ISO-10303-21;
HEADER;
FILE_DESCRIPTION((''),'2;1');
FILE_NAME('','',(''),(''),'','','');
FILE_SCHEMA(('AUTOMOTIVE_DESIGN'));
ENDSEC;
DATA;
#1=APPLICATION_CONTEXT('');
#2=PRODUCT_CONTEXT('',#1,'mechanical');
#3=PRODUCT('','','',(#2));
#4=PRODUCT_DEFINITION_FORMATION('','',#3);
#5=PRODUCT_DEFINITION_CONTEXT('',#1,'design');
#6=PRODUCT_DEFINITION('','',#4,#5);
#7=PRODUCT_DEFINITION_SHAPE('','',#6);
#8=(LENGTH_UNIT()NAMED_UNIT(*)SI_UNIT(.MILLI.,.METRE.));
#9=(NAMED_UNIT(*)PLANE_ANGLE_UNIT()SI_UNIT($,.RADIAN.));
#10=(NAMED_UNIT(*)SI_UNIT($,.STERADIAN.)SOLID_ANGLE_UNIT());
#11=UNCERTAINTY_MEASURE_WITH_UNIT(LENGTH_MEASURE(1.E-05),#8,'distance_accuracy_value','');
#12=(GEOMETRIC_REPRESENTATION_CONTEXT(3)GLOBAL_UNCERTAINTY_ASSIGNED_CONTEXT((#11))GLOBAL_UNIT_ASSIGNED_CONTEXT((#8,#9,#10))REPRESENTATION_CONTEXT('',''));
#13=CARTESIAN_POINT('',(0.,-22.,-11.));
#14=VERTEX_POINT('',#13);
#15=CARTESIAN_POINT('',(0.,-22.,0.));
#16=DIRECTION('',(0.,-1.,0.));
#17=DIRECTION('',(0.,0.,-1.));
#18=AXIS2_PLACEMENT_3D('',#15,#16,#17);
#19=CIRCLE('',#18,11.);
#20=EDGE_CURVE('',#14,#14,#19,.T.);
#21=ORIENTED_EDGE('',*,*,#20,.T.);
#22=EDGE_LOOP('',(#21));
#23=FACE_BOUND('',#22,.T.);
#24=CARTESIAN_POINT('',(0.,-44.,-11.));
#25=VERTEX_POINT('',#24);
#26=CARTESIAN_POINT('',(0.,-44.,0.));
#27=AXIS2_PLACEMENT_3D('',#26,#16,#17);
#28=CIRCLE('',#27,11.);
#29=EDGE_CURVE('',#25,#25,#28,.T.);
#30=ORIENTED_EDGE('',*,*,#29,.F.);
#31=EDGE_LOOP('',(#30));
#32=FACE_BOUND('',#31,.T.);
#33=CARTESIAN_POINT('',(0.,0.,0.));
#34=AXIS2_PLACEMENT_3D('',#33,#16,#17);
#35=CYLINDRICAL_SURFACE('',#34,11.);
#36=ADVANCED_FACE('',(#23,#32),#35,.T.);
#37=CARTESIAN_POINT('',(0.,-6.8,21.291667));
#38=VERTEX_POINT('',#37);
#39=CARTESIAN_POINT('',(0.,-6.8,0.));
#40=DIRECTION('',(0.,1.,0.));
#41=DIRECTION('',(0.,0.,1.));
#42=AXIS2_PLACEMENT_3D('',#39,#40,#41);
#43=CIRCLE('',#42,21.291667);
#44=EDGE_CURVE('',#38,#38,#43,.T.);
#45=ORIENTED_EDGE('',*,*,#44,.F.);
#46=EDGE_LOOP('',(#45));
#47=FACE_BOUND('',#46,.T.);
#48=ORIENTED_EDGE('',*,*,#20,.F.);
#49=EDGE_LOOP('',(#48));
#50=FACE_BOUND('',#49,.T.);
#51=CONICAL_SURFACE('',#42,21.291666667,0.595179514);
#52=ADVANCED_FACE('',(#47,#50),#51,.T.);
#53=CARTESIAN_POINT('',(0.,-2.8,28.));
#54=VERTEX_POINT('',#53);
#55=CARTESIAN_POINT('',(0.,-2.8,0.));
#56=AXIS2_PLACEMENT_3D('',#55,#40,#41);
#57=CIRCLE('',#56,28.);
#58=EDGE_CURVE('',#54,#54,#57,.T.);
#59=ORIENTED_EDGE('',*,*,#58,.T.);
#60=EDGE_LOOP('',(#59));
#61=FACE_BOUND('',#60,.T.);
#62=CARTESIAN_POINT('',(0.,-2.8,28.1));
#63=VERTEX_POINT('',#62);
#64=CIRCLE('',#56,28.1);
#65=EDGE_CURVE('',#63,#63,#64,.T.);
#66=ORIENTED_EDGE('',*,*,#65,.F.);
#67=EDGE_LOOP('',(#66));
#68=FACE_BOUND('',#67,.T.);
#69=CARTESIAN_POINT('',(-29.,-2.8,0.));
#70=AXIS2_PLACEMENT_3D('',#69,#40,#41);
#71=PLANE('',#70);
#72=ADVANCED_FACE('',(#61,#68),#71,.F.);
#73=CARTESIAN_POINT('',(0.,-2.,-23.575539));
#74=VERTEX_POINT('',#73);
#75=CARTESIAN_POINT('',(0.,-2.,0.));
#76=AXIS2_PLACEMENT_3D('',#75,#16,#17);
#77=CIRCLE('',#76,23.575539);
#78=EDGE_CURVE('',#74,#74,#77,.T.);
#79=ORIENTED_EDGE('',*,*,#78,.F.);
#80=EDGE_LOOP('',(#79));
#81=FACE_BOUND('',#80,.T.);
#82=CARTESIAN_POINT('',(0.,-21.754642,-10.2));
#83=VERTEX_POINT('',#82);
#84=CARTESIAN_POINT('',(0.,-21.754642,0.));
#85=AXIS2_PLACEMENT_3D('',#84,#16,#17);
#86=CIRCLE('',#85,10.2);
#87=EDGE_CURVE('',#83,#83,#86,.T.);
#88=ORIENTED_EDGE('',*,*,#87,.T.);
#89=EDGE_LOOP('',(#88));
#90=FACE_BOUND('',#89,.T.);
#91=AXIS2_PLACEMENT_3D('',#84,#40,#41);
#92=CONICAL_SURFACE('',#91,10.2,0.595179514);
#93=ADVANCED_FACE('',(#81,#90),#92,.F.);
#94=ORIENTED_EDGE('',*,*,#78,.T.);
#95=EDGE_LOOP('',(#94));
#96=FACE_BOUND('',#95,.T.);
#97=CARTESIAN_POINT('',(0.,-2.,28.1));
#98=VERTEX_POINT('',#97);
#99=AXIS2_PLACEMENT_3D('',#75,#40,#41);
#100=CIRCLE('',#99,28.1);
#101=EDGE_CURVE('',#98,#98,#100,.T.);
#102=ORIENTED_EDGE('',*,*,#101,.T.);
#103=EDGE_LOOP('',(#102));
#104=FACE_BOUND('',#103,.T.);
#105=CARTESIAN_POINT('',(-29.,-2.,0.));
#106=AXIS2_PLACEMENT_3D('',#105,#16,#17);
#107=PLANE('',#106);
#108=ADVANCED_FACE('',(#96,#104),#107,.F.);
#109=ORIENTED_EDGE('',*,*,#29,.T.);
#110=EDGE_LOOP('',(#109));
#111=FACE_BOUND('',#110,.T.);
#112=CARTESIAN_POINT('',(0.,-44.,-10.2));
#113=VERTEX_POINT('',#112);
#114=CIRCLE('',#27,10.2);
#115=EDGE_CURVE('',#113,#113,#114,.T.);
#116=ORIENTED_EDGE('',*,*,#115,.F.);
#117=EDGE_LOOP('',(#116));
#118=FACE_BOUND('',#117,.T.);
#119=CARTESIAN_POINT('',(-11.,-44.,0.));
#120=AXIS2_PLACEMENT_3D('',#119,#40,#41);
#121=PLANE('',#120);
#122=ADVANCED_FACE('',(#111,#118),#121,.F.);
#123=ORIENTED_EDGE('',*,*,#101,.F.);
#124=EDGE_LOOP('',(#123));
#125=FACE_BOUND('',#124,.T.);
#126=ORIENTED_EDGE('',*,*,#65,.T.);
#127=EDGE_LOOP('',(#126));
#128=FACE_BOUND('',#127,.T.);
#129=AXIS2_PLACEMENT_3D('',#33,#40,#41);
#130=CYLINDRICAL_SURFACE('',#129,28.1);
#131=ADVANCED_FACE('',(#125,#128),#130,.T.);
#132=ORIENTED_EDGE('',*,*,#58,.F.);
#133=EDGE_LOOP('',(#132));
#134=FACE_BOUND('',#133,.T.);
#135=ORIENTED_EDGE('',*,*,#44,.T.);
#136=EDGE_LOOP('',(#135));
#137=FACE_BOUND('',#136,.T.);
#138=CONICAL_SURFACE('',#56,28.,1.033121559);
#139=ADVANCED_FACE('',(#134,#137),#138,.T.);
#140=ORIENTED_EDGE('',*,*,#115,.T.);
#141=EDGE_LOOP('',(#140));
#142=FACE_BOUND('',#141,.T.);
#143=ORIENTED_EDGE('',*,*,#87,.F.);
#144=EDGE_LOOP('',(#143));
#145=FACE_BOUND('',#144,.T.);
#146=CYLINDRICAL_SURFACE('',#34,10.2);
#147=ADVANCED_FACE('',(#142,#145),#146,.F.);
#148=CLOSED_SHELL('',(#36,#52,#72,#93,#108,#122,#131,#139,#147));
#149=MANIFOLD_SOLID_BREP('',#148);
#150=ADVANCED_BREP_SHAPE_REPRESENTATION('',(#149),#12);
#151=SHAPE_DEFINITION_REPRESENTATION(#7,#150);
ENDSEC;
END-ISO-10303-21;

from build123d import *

# Parameters (mm, degrees)
SKETCH4_W = 0.9
SKETCH4_H = 0.8


with BuildPart() as part:
    # Sketch3 → Revolve3 (revolve)
    with BuildSketch(Plane.XY, mode=Mode.PRIVATE) as revolve3_sk:
        Polygon((-11, -44), (-10.2, -44), (-10.2, -21.754642132), (-23.575538943, -2), (-29, -2), (-29, -2.8), (-28, -2.8), (-28, -3.8), (-21.291666667, -6.8), (-11, -22), align=None)
    revolve(revolve3_sk.sketch.rotate(Axis((0, 0, 0), (0, 1, 0)), 270), axis=Axis((0, 0, 0), (0, 1, 0)))

    # Sketch4 → Cut-Revolve1 (revolve, cut)
    with BuildSketch(Plane.XY, mode=Mode.PRIVATE) as cut_revolve1_sk:
        with Locations((-28.55, -2.4)):
            Rectangle(SKETCH4_W, SKETCH4_H)
    revolve(cut_revolve1_sk.sketch.rotate(Axis((0, 0, 0), (0, -1, 0)), 270), axis=Axis((0, 0, 0), (0, -1, 0)), mode=Mode.SUBTRACT)

    # Sketch5 → Cut-Revolve2 (revolve, cut)
    with BuildSketch(Plane.XY, mode=Mode.PRIVATE) as cut_revolve2_sk:
        Polygon((-21.291666667, -6.8), (-28, -3.8), (-28, -2.8), align=None)
    revolve(cut_revolve2_sk.sketch.rotate(Axis((0, 0, 0), (0, -1, 0)), 270), axis=Axis((0, 0, 0), (0, -1, 0)), mode=Mode.SUBTRACT)


solid = part.part
